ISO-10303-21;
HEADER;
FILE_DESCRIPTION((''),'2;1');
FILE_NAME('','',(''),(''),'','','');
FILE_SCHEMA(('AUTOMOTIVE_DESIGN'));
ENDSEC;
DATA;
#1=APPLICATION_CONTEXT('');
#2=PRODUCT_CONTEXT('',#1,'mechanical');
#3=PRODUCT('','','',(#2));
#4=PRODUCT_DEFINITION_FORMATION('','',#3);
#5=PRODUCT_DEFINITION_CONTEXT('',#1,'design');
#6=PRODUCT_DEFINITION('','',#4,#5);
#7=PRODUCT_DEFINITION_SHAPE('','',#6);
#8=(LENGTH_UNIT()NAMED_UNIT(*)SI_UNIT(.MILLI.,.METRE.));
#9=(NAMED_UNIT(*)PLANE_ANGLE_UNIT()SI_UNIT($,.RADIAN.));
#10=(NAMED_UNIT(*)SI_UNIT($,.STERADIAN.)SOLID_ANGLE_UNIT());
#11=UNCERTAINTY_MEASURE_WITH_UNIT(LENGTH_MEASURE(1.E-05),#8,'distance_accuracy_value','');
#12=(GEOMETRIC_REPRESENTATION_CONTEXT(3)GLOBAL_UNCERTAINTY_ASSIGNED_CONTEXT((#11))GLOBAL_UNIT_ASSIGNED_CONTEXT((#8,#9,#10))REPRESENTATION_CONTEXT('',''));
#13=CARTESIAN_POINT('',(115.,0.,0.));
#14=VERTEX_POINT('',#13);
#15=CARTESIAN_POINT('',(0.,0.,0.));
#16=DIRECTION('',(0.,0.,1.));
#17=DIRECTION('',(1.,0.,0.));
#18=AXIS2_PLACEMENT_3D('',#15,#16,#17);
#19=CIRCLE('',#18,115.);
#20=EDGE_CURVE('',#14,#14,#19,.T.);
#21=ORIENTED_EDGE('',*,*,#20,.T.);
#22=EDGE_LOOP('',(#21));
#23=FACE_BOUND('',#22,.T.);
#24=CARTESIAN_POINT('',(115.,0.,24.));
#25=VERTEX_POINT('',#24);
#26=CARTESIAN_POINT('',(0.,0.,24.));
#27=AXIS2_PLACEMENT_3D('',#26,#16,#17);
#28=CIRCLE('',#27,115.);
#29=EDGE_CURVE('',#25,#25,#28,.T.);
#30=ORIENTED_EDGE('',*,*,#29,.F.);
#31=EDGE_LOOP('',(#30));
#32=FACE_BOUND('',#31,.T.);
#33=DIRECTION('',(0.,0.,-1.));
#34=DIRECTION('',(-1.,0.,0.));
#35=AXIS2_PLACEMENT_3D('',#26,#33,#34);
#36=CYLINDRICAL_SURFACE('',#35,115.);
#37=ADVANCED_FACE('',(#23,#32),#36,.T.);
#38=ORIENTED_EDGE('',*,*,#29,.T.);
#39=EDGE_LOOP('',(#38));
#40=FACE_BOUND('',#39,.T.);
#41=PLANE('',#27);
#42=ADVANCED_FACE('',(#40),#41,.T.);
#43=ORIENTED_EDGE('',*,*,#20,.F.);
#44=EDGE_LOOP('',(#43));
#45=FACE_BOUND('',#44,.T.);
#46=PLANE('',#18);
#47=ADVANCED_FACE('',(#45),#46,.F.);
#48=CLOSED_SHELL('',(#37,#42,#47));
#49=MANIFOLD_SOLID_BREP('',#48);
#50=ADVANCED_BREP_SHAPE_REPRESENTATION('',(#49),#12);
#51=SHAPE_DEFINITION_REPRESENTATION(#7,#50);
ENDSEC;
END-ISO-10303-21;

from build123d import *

# Parameters (mm, degrees)
SKETCH1_R           = 115
BOSS_EXTRUDE1_DEPTH = 24


with BuildPart() as part:
    # Sketch1 → Boss-Extrude1 (new body)
    with BuildSketch(Plane.XY):
        Circle(SKETCH1_R)
    extrude(amount=BOSS_EXTRUDE1_DEPTH)


solid = part.part
